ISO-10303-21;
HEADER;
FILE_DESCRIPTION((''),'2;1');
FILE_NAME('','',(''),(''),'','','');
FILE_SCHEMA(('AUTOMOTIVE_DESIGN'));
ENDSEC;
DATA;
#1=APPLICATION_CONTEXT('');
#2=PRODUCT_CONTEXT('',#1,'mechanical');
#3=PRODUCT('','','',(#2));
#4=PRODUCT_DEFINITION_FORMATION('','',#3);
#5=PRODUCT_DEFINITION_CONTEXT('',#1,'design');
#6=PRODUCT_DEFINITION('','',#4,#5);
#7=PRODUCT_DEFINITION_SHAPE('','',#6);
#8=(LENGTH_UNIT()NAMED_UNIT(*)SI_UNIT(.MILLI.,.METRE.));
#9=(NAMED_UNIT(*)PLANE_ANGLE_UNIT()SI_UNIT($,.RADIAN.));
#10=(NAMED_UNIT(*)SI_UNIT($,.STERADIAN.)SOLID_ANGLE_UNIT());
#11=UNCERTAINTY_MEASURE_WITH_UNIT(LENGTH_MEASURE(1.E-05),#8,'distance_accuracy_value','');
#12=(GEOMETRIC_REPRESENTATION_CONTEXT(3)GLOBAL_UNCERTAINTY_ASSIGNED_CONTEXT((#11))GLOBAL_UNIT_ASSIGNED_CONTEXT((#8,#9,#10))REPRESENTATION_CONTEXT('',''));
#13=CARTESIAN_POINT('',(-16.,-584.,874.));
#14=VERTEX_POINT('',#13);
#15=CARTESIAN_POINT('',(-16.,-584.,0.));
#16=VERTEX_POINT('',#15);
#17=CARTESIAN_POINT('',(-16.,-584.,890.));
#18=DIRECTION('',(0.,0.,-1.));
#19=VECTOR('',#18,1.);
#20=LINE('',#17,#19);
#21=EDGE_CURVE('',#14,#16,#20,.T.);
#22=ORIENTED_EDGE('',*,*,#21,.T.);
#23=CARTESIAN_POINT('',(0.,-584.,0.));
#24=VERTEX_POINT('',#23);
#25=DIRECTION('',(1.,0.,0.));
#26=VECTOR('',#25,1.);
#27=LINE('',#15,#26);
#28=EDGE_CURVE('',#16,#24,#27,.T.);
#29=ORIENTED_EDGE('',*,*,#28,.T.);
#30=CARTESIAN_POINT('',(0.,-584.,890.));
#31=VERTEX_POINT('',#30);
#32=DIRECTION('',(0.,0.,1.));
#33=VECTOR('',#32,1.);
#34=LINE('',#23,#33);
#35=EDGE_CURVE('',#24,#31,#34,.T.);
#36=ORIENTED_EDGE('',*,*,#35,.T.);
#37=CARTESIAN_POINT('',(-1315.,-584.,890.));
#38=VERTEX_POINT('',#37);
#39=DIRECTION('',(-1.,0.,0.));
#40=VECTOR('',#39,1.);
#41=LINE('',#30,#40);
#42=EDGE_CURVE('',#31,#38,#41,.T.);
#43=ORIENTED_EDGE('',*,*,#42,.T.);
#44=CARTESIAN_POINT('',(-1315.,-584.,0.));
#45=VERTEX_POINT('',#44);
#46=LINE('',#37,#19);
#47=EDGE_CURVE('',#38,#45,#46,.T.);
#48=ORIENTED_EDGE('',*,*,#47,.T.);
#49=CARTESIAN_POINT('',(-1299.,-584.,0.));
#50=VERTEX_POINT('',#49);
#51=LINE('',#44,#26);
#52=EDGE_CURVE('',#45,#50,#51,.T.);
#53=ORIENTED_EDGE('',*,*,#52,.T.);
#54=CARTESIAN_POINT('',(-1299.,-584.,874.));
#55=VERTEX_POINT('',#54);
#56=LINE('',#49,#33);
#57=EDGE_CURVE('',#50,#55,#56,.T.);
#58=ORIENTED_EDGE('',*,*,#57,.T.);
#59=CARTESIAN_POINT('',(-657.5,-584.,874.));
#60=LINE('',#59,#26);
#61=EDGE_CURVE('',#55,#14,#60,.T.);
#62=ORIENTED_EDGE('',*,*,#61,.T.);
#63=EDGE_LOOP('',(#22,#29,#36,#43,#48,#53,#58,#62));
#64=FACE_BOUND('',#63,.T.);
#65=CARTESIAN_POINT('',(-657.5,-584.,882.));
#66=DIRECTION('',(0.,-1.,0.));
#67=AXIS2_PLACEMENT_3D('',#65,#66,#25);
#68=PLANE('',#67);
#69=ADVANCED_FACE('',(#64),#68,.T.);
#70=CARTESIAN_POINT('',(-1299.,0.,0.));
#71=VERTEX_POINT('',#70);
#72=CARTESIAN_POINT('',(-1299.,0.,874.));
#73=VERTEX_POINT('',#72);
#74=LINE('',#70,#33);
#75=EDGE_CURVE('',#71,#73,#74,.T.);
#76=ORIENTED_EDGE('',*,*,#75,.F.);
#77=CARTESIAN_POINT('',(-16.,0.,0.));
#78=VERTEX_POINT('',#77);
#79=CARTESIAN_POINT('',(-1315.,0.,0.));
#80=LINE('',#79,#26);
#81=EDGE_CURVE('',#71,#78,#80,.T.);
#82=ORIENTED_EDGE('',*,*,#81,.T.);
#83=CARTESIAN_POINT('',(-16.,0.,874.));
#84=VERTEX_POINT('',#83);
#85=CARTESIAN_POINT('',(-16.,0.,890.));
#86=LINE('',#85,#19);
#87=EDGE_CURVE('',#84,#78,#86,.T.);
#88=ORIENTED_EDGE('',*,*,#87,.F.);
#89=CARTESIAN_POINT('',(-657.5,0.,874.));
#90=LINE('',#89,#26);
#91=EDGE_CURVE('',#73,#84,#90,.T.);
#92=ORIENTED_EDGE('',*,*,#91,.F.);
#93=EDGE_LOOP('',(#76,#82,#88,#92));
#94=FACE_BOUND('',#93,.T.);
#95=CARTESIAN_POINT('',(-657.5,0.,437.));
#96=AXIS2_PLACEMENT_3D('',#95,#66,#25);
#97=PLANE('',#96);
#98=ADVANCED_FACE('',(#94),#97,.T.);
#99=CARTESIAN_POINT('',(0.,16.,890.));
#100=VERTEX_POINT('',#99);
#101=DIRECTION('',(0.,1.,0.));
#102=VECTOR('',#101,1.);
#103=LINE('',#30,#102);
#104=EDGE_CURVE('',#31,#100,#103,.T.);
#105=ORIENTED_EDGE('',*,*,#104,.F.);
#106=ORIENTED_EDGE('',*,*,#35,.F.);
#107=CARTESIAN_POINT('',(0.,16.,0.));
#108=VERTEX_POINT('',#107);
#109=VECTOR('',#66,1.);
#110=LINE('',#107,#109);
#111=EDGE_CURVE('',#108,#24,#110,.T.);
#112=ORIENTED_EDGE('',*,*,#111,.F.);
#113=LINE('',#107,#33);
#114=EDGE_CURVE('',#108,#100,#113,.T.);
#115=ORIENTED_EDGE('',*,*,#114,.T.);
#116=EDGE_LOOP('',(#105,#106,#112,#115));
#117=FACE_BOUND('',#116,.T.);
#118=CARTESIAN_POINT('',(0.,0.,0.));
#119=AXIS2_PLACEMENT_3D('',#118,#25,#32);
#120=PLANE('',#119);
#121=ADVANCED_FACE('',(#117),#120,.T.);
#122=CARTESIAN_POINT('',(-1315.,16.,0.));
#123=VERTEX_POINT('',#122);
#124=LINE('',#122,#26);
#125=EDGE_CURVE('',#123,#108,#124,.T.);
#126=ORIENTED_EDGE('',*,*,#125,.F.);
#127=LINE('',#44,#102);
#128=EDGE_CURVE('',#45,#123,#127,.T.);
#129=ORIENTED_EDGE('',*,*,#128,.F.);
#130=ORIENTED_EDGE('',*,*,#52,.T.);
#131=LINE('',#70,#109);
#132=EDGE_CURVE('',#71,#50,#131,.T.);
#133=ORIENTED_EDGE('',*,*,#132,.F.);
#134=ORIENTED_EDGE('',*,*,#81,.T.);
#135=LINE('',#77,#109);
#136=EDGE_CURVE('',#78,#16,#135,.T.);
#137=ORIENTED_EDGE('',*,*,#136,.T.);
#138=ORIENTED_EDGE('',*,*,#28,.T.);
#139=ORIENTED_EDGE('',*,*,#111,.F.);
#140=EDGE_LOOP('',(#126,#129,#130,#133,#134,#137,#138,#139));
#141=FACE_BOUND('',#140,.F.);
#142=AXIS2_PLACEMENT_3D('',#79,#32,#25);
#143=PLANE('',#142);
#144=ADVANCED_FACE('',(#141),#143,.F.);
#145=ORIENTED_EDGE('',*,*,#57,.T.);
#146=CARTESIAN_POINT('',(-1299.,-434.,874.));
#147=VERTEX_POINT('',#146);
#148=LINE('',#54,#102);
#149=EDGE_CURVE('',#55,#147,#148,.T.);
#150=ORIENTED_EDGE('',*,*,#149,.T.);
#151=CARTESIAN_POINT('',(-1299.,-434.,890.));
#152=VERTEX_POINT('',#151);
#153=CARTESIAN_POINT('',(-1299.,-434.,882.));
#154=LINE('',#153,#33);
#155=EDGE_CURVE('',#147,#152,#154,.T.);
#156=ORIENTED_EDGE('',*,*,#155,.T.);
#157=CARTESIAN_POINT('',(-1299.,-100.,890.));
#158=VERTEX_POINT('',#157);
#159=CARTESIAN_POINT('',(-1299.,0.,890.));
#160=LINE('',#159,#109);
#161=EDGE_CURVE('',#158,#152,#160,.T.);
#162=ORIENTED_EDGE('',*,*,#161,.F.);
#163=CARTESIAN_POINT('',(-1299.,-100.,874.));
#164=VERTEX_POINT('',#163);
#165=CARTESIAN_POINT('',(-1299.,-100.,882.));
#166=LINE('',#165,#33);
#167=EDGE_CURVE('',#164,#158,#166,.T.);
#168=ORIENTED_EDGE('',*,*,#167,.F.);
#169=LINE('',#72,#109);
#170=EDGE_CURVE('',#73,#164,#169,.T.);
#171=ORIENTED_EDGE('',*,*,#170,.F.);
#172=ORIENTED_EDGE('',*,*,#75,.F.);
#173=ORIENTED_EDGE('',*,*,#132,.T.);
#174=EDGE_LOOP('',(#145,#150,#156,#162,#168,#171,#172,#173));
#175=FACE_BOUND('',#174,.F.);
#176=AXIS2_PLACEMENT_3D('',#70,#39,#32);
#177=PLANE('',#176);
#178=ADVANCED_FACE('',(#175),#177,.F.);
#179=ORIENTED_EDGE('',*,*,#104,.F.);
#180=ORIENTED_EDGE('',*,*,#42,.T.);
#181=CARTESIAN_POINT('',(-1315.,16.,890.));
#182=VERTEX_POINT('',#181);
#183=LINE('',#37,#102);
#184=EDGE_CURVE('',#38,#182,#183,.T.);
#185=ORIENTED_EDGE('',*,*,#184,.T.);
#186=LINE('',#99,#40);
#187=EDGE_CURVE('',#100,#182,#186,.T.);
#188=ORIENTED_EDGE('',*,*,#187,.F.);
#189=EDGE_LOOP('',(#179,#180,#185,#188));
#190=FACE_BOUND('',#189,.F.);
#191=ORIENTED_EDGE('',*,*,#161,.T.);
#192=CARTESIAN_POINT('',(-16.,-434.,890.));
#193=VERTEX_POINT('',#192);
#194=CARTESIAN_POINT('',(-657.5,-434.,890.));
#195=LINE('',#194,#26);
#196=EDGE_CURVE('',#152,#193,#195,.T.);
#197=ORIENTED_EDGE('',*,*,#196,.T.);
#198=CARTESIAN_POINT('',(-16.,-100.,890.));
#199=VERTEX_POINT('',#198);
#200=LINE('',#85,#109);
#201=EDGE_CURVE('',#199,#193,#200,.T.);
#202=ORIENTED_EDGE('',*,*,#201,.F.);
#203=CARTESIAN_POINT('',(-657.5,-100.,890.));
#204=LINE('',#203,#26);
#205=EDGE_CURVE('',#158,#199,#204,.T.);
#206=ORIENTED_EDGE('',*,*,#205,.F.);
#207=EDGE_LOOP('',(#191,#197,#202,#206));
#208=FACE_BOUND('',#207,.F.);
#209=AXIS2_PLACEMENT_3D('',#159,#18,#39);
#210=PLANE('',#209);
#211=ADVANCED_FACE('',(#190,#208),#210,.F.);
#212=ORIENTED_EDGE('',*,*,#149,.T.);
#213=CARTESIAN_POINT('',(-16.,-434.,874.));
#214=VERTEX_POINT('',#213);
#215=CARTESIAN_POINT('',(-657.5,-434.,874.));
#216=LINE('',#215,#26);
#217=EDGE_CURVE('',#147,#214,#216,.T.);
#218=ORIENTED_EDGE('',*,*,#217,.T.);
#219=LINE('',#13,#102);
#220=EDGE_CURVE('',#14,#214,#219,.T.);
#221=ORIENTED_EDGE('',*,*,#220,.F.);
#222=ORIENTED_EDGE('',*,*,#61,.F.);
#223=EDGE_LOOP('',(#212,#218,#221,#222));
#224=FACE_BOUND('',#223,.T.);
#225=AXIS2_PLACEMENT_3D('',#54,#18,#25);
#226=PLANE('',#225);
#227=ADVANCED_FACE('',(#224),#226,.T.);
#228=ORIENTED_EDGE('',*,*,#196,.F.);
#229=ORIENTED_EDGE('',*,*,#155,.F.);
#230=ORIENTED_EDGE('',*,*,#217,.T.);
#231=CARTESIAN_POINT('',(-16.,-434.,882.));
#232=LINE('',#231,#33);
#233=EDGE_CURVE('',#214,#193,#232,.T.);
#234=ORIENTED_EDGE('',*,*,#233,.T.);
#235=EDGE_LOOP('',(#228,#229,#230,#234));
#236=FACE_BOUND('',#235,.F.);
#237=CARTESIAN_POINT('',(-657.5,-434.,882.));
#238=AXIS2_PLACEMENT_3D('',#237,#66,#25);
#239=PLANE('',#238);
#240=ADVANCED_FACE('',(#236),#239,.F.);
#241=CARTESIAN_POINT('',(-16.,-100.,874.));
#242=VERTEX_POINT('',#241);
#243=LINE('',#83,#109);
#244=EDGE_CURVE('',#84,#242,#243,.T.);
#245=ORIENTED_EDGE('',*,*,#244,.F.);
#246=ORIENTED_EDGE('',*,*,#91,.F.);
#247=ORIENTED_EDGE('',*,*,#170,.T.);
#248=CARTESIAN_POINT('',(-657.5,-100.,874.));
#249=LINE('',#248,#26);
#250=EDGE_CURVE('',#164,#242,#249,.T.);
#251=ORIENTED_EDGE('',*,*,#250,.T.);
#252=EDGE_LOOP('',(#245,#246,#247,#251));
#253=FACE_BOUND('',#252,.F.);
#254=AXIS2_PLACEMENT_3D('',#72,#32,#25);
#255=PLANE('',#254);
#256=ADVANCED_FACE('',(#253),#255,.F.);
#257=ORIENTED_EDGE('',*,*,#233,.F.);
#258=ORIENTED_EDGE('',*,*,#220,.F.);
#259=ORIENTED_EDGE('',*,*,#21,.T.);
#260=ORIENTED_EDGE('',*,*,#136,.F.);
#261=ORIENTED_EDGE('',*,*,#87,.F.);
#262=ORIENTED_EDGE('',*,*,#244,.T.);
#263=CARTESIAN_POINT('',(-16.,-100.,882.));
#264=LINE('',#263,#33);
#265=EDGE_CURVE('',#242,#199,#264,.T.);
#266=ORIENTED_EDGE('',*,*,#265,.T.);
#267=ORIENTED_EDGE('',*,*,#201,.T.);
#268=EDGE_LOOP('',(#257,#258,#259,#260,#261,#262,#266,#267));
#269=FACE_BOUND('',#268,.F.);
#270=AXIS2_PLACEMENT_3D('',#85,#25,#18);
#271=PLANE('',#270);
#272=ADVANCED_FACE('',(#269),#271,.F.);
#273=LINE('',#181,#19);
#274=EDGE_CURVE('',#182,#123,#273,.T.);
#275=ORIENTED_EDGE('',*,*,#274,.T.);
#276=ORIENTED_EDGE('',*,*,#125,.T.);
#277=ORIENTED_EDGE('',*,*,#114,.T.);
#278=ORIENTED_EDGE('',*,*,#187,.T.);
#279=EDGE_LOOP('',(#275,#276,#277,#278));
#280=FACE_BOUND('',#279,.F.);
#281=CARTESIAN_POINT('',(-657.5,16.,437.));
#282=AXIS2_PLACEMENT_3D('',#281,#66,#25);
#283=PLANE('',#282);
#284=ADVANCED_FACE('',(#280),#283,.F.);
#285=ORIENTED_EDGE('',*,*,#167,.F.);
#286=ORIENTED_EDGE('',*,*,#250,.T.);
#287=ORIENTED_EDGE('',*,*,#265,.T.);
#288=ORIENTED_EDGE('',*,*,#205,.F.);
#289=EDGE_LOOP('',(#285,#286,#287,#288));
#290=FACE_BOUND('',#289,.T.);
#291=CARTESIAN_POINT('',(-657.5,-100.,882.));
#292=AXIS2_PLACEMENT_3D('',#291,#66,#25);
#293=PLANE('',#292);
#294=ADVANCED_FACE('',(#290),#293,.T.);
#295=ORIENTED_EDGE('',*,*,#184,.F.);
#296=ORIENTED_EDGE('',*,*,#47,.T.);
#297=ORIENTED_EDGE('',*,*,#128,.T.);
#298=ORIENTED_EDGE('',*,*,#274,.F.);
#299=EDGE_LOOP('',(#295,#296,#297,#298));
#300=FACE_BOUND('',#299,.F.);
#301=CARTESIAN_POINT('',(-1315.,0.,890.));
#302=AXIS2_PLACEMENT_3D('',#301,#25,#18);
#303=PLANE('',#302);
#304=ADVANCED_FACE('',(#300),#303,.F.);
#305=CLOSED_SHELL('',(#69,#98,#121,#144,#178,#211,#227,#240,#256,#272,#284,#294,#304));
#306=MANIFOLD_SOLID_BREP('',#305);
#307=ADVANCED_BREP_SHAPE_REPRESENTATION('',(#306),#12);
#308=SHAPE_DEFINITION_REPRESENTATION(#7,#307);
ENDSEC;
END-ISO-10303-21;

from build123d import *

# Parameters (mm, degrees)
F0_W     = 1283
F0_H     = 874
F0_H_2   = 16
F1_DEPTH = 16
F2_DEPTH = 584
F3_DEPTH = 100
F4_W     = 1283
F4_H     = 16
F5_DEPTH = 150


with BuildPart() as f1:
    # F0 (on Front) → F1 (new body)
    with BuildSketch(Plane.XZ):
        with Locations((-657.5, 437)):
            Rectangle(F0_W, F0_H)
        with Locations((-657.5, 882)):
            Rectangle(F0_W, F0_H_2)
        Polygon((-16, 0), (0, 0), (0, 890), (-16, 890), (-16, 874), align=None)
        Polygon((-1315, 0), (-1299, 0), (-1299, 874), (-1299, 890), (-1315, 890), align=None)
    extrude(amount=-F1_DEPTH)

    # F0 (on Front) → F2 (join)
    with BuildSketch(Plane.XZ):
        Polygon((-1315, 0), (-1299, 0), (-1299, 874), (-1299, 890), (-1315, 890), align=None)
        Polygon((-16, 0), (0, 0), (0, 890), (-16, 890), (-16, 874), align=None)
    extrude(amount=F2_DEPTH)

    # F0 (on Front) → F3 (join)
    with BuildSketch(Plane.XZ):
        with Locations((-657.5, 882)):
            Rectangle(F0_W, F0_H_2)
    extrude(amount=F3_DEPTH)

    # F4 (on face) → F5 (join)
    with BuildSketch(Plane.XZ.offset(584)):
        with Locations((-657.5, 882)):
            Rectangle(F4_W, F4_H)
    extrude(amount=-F5_DEPTH)


solid = f1.part
